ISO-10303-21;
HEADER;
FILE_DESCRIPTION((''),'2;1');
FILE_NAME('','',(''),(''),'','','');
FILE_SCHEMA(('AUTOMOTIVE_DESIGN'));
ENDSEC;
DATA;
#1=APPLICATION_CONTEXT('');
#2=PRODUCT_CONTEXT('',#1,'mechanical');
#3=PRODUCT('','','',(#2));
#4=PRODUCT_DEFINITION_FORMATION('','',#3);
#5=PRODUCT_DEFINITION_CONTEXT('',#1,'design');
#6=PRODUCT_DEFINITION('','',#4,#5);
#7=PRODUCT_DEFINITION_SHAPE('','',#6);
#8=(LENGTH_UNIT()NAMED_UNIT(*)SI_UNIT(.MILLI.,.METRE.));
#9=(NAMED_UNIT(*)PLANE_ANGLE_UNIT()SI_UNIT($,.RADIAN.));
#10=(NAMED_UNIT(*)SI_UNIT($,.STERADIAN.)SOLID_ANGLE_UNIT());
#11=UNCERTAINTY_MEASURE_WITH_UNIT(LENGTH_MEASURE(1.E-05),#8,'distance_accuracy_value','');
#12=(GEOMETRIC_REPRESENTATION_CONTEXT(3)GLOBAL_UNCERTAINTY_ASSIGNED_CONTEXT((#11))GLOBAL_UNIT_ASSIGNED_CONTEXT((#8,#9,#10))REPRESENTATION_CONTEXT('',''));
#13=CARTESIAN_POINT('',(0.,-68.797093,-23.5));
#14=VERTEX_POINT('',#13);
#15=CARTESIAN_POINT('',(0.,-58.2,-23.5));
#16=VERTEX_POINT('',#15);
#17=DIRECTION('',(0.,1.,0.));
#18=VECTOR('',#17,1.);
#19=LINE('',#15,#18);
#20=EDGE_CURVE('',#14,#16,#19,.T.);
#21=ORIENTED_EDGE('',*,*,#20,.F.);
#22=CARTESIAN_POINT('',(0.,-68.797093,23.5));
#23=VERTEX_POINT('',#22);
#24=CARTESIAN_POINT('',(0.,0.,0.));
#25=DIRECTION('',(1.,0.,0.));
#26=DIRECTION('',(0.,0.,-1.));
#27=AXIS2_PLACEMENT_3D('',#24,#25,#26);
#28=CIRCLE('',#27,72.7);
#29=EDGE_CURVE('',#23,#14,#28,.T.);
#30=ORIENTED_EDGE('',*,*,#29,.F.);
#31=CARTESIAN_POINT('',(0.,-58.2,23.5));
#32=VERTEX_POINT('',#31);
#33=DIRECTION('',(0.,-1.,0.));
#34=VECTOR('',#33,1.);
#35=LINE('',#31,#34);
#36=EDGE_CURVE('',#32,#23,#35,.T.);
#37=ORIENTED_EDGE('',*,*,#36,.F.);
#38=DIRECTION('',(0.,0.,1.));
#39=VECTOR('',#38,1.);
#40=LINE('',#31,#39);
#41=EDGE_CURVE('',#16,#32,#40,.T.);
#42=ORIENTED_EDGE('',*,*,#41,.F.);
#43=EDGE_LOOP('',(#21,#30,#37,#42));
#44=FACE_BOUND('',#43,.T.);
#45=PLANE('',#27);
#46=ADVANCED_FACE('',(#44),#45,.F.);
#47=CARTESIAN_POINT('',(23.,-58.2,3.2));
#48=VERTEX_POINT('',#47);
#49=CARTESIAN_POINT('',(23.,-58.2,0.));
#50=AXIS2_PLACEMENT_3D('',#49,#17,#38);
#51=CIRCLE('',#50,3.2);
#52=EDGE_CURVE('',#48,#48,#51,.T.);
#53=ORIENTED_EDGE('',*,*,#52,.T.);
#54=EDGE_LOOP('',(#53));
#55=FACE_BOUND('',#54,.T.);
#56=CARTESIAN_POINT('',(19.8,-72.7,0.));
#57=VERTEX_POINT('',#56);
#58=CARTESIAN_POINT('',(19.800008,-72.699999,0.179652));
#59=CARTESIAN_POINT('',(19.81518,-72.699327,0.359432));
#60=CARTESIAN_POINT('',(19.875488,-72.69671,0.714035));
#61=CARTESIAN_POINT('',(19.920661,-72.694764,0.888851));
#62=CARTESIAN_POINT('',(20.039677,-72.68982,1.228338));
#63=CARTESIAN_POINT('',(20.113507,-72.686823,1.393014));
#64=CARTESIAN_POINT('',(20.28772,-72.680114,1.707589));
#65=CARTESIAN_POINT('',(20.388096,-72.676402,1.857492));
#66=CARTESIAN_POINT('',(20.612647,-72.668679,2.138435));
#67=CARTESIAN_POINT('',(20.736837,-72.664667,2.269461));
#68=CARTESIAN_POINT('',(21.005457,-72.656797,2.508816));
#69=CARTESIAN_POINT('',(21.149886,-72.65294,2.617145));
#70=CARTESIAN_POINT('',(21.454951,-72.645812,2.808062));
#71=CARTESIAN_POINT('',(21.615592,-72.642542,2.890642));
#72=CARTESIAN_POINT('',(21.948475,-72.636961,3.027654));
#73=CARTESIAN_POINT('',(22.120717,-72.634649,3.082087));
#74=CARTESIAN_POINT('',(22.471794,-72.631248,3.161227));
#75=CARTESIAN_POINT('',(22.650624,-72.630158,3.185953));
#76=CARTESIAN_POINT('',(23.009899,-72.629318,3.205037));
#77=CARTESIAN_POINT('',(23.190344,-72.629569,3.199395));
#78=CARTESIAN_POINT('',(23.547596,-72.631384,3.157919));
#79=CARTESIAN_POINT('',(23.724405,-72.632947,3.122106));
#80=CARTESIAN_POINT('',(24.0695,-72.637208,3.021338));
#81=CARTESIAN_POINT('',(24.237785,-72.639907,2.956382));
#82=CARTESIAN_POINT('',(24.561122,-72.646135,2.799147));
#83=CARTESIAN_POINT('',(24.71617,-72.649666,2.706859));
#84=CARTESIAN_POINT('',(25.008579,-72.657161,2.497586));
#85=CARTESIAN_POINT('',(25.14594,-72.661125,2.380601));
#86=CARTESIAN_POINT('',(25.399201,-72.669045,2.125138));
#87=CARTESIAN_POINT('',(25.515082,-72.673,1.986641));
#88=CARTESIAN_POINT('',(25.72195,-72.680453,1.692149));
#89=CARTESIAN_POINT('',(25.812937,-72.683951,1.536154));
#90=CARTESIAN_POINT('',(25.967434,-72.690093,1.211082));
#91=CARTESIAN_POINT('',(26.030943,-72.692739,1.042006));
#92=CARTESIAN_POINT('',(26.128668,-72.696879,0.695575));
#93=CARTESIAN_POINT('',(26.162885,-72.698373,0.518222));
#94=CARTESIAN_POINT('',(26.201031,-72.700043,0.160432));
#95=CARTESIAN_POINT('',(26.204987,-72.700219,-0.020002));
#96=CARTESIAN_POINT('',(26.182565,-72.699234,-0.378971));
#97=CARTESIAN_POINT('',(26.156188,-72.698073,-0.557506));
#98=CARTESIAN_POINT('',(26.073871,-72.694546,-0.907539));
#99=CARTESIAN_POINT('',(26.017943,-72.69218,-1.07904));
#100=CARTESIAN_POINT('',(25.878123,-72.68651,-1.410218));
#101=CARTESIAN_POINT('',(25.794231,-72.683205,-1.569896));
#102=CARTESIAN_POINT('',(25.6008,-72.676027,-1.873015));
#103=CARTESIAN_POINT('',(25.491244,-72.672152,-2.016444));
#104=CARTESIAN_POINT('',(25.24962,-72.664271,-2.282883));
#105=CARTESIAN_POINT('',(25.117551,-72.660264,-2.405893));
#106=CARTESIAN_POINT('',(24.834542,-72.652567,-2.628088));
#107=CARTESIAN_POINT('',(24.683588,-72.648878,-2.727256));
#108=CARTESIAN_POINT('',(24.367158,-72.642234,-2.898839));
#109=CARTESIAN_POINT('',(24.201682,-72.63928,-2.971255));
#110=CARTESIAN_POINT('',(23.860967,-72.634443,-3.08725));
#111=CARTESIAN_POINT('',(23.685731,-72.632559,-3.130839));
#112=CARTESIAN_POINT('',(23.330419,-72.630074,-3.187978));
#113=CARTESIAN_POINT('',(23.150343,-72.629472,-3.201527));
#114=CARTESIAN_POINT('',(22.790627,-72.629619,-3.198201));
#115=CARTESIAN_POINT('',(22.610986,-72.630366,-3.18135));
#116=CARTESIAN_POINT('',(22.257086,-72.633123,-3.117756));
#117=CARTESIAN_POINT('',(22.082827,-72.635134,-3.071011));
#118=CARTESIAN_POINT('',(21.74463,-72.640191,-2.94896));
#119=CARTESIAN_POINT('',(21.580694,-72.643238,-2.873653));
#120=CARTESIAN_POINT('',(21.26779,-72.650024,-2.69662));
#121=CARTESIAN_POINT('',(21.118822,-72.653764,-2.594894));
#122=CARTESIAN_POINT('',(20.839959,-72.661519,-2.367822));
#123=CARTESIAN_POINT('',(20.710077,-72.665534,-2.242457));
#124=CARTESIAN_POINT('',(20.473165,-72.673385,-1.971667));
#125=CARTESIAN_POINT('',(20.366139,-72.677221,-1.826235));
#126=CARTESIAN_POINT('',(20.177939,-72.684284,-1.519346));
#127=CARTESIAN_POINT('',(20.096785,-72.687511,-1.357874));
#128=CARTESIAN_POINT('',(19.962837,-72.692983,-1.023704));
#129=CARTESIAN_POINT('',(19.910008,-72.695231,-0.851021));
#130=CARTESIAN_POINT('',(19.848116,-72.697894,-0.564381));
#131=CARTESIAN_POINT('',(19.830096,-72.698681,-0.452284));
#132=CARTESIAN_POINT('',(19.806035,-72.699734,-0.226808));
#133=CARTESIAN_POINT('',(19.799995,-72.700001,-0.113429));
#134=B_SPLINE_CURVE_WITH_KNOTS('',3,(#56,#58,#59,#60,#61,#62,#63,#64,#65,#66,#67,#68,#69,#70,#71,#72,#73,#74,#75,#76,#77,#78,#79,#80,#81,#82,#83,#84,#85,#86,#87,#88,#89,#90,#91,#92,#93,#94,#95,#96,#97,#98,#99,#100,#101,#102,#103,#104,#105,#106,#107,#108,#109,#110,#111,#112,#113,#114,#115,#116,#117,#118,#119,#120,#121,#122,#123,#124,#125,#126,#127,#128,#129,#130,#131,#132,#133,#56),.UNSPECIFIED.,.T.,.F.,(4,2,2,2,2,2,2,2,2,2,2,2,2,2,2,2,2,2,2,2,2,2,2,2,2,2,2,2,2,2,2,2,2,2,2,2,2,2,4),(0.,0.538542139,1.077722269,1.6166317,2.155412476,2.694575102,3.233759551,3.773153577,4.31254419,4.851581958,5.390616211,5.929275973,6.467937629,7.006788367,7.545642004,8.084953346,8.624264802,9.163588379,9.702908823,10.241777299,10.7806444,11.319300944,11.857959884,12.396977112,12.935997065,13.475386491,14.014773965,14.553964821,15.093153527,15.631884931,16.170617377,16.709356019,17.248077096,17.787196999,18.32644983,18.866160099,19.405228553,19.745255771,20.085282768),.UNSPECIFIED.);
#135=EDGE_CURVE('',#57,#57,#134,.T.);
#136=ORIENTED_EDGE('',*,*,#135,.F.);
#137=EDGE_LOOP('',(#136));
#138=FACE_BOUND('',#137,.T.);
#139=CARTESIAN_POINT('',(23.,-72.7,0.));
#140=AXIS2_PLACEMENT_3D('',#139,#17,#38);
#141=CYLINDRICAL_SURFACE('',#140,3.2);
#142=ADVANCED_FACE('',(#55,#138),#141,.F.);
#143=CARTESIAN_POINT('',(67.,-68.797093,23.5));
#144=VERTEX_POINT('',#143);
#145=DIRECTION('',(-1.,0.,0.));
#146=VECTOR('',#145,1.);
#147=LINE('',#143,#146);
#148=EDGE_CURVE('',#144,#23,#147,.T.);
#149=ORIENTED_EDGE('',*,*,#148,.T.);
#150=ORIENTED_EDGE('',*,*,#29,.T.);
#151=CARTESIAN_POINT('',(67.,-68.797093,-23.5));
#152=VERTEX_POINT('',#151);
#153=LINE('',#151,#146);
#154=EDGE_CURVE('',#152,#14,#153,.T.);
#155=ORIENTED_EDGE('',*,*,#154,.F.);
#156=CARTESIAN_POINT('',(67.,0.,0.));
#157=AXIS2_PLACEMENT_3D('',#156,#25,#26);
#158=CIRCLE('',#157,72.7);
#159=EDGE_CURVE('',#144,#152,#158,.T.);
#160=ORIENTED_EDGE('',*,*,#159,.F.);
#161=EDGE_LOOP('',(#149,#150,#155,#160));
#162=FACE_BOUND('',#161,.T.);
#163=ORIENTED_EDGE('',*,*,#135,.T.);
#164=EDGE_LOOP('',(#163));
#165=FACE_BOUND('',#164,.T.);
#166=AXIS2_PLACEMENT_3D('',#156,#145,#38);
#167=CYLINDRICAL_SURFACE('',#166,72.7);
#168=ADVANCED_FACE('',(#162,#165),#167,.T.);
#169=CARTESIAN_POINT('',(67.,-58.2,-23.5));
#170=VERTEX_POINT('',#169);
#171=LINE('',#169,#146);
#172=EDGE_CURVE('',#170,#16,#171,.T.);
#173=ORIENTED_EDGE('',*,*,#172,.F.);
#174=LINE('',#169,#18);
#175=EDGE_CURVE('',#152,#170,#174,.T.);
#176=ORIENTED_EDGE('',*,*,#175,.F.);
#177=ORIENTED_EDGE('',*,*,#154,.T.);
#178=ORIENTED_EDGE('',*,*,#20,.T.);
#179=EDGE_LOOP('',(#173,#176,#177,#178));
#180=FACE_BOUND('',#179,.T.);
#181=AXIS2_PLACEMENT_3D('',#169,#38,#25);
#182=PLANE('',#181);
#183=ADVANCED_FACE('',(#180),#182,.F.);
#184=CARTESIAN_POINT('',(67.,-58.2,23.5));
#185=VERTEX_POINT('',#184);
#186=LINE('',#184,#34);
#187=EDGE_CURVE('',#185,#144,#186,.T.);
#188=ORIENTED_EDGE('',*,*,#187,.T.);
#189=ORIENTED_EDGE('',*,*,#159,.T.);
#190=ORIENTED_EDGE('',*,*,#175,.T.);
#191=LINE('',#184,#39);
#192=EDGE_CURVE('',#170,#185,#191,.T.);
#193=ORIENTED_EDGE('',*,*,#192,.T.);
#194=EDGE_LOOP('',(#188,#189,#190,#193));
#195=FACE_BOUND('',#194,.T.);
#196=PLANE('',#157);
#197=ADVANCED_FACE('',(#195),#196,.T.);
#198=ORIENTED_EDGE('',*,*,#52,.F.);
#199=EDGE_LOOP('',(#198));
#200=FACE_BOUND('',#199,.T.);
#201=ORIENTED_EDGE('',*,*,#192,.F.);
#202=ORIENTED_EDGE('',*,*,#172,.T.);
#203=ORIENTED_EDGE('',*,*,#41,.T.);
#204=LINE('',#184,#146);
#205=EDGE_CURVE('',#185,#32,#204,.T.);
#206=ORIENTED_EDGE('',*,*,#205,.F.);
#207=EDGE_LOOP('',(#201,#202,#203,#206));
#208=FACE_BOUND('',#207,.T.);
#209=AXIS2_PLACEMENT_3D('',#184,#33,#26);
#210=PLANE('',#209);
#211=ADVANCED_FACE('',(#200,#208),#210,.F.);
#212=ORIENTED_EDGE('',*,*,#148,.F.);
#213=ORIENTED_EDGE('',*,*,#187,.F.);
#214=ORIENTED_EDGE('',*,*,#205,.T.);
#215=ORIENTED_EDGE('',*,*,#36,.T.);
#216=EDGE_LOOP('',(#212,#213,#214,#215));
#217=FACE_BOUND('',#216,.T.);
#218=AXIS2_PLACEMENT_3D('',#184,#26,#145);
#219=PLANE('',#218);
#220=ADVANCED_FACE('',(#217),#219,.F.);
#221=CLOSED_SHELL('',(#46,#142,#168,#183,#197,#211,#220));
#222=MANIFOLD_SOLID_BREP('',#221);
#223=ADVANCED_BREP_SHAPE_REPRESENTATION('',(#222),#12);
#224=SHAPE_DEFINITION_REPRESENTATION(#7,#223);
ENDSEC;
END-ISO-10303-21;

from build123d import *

# Parameters (mm, degrees)
BOSS_EXTRUDE1_DEPTH = 67
SKETCH2_R           = 3.2
CUT_EXTRUDE1_DEPTH  = 73.467233975


with BuildPart() as part:
    # Sketch1 → Boss-Extrude1 (new body)
    with BuildSketch(Plane(origin=(0, 0, 0), x_dir=(0, 0, -1), z_dir=(1, 0, 0))):
        with BuildLine():
            Line((-23.5, -58.2), (23.5, -58.2))
            Line((23.5, -58.2), (23.5, -68.797092962))
            ThreePointArc((23.5, -68.797092962), (0, -72.7), (-23.5, -68.797092962))
            Line((-23.5, -68.797092962), (-23.5, -58.2))
        make_face()
    extrude(amount=BOSS_EXTRUDE1_DEPTH)

    # Sketch2 → Cut-Extrude1 (cut, through all)
    with BuildSketch(Plane(origin=(0, -58.2, 0), x_dir=(1, 0, 0), z_dir=(0, 1, 0))):
        with Locations(Location((23, 0, 0), (0, 0, 270))):
            Circle(SKETCH2_R)
    extrude(amount=-CUT_EXTRUDE1_DEPTH, mode=Mode.SUBTRACT)


solid = part.part
